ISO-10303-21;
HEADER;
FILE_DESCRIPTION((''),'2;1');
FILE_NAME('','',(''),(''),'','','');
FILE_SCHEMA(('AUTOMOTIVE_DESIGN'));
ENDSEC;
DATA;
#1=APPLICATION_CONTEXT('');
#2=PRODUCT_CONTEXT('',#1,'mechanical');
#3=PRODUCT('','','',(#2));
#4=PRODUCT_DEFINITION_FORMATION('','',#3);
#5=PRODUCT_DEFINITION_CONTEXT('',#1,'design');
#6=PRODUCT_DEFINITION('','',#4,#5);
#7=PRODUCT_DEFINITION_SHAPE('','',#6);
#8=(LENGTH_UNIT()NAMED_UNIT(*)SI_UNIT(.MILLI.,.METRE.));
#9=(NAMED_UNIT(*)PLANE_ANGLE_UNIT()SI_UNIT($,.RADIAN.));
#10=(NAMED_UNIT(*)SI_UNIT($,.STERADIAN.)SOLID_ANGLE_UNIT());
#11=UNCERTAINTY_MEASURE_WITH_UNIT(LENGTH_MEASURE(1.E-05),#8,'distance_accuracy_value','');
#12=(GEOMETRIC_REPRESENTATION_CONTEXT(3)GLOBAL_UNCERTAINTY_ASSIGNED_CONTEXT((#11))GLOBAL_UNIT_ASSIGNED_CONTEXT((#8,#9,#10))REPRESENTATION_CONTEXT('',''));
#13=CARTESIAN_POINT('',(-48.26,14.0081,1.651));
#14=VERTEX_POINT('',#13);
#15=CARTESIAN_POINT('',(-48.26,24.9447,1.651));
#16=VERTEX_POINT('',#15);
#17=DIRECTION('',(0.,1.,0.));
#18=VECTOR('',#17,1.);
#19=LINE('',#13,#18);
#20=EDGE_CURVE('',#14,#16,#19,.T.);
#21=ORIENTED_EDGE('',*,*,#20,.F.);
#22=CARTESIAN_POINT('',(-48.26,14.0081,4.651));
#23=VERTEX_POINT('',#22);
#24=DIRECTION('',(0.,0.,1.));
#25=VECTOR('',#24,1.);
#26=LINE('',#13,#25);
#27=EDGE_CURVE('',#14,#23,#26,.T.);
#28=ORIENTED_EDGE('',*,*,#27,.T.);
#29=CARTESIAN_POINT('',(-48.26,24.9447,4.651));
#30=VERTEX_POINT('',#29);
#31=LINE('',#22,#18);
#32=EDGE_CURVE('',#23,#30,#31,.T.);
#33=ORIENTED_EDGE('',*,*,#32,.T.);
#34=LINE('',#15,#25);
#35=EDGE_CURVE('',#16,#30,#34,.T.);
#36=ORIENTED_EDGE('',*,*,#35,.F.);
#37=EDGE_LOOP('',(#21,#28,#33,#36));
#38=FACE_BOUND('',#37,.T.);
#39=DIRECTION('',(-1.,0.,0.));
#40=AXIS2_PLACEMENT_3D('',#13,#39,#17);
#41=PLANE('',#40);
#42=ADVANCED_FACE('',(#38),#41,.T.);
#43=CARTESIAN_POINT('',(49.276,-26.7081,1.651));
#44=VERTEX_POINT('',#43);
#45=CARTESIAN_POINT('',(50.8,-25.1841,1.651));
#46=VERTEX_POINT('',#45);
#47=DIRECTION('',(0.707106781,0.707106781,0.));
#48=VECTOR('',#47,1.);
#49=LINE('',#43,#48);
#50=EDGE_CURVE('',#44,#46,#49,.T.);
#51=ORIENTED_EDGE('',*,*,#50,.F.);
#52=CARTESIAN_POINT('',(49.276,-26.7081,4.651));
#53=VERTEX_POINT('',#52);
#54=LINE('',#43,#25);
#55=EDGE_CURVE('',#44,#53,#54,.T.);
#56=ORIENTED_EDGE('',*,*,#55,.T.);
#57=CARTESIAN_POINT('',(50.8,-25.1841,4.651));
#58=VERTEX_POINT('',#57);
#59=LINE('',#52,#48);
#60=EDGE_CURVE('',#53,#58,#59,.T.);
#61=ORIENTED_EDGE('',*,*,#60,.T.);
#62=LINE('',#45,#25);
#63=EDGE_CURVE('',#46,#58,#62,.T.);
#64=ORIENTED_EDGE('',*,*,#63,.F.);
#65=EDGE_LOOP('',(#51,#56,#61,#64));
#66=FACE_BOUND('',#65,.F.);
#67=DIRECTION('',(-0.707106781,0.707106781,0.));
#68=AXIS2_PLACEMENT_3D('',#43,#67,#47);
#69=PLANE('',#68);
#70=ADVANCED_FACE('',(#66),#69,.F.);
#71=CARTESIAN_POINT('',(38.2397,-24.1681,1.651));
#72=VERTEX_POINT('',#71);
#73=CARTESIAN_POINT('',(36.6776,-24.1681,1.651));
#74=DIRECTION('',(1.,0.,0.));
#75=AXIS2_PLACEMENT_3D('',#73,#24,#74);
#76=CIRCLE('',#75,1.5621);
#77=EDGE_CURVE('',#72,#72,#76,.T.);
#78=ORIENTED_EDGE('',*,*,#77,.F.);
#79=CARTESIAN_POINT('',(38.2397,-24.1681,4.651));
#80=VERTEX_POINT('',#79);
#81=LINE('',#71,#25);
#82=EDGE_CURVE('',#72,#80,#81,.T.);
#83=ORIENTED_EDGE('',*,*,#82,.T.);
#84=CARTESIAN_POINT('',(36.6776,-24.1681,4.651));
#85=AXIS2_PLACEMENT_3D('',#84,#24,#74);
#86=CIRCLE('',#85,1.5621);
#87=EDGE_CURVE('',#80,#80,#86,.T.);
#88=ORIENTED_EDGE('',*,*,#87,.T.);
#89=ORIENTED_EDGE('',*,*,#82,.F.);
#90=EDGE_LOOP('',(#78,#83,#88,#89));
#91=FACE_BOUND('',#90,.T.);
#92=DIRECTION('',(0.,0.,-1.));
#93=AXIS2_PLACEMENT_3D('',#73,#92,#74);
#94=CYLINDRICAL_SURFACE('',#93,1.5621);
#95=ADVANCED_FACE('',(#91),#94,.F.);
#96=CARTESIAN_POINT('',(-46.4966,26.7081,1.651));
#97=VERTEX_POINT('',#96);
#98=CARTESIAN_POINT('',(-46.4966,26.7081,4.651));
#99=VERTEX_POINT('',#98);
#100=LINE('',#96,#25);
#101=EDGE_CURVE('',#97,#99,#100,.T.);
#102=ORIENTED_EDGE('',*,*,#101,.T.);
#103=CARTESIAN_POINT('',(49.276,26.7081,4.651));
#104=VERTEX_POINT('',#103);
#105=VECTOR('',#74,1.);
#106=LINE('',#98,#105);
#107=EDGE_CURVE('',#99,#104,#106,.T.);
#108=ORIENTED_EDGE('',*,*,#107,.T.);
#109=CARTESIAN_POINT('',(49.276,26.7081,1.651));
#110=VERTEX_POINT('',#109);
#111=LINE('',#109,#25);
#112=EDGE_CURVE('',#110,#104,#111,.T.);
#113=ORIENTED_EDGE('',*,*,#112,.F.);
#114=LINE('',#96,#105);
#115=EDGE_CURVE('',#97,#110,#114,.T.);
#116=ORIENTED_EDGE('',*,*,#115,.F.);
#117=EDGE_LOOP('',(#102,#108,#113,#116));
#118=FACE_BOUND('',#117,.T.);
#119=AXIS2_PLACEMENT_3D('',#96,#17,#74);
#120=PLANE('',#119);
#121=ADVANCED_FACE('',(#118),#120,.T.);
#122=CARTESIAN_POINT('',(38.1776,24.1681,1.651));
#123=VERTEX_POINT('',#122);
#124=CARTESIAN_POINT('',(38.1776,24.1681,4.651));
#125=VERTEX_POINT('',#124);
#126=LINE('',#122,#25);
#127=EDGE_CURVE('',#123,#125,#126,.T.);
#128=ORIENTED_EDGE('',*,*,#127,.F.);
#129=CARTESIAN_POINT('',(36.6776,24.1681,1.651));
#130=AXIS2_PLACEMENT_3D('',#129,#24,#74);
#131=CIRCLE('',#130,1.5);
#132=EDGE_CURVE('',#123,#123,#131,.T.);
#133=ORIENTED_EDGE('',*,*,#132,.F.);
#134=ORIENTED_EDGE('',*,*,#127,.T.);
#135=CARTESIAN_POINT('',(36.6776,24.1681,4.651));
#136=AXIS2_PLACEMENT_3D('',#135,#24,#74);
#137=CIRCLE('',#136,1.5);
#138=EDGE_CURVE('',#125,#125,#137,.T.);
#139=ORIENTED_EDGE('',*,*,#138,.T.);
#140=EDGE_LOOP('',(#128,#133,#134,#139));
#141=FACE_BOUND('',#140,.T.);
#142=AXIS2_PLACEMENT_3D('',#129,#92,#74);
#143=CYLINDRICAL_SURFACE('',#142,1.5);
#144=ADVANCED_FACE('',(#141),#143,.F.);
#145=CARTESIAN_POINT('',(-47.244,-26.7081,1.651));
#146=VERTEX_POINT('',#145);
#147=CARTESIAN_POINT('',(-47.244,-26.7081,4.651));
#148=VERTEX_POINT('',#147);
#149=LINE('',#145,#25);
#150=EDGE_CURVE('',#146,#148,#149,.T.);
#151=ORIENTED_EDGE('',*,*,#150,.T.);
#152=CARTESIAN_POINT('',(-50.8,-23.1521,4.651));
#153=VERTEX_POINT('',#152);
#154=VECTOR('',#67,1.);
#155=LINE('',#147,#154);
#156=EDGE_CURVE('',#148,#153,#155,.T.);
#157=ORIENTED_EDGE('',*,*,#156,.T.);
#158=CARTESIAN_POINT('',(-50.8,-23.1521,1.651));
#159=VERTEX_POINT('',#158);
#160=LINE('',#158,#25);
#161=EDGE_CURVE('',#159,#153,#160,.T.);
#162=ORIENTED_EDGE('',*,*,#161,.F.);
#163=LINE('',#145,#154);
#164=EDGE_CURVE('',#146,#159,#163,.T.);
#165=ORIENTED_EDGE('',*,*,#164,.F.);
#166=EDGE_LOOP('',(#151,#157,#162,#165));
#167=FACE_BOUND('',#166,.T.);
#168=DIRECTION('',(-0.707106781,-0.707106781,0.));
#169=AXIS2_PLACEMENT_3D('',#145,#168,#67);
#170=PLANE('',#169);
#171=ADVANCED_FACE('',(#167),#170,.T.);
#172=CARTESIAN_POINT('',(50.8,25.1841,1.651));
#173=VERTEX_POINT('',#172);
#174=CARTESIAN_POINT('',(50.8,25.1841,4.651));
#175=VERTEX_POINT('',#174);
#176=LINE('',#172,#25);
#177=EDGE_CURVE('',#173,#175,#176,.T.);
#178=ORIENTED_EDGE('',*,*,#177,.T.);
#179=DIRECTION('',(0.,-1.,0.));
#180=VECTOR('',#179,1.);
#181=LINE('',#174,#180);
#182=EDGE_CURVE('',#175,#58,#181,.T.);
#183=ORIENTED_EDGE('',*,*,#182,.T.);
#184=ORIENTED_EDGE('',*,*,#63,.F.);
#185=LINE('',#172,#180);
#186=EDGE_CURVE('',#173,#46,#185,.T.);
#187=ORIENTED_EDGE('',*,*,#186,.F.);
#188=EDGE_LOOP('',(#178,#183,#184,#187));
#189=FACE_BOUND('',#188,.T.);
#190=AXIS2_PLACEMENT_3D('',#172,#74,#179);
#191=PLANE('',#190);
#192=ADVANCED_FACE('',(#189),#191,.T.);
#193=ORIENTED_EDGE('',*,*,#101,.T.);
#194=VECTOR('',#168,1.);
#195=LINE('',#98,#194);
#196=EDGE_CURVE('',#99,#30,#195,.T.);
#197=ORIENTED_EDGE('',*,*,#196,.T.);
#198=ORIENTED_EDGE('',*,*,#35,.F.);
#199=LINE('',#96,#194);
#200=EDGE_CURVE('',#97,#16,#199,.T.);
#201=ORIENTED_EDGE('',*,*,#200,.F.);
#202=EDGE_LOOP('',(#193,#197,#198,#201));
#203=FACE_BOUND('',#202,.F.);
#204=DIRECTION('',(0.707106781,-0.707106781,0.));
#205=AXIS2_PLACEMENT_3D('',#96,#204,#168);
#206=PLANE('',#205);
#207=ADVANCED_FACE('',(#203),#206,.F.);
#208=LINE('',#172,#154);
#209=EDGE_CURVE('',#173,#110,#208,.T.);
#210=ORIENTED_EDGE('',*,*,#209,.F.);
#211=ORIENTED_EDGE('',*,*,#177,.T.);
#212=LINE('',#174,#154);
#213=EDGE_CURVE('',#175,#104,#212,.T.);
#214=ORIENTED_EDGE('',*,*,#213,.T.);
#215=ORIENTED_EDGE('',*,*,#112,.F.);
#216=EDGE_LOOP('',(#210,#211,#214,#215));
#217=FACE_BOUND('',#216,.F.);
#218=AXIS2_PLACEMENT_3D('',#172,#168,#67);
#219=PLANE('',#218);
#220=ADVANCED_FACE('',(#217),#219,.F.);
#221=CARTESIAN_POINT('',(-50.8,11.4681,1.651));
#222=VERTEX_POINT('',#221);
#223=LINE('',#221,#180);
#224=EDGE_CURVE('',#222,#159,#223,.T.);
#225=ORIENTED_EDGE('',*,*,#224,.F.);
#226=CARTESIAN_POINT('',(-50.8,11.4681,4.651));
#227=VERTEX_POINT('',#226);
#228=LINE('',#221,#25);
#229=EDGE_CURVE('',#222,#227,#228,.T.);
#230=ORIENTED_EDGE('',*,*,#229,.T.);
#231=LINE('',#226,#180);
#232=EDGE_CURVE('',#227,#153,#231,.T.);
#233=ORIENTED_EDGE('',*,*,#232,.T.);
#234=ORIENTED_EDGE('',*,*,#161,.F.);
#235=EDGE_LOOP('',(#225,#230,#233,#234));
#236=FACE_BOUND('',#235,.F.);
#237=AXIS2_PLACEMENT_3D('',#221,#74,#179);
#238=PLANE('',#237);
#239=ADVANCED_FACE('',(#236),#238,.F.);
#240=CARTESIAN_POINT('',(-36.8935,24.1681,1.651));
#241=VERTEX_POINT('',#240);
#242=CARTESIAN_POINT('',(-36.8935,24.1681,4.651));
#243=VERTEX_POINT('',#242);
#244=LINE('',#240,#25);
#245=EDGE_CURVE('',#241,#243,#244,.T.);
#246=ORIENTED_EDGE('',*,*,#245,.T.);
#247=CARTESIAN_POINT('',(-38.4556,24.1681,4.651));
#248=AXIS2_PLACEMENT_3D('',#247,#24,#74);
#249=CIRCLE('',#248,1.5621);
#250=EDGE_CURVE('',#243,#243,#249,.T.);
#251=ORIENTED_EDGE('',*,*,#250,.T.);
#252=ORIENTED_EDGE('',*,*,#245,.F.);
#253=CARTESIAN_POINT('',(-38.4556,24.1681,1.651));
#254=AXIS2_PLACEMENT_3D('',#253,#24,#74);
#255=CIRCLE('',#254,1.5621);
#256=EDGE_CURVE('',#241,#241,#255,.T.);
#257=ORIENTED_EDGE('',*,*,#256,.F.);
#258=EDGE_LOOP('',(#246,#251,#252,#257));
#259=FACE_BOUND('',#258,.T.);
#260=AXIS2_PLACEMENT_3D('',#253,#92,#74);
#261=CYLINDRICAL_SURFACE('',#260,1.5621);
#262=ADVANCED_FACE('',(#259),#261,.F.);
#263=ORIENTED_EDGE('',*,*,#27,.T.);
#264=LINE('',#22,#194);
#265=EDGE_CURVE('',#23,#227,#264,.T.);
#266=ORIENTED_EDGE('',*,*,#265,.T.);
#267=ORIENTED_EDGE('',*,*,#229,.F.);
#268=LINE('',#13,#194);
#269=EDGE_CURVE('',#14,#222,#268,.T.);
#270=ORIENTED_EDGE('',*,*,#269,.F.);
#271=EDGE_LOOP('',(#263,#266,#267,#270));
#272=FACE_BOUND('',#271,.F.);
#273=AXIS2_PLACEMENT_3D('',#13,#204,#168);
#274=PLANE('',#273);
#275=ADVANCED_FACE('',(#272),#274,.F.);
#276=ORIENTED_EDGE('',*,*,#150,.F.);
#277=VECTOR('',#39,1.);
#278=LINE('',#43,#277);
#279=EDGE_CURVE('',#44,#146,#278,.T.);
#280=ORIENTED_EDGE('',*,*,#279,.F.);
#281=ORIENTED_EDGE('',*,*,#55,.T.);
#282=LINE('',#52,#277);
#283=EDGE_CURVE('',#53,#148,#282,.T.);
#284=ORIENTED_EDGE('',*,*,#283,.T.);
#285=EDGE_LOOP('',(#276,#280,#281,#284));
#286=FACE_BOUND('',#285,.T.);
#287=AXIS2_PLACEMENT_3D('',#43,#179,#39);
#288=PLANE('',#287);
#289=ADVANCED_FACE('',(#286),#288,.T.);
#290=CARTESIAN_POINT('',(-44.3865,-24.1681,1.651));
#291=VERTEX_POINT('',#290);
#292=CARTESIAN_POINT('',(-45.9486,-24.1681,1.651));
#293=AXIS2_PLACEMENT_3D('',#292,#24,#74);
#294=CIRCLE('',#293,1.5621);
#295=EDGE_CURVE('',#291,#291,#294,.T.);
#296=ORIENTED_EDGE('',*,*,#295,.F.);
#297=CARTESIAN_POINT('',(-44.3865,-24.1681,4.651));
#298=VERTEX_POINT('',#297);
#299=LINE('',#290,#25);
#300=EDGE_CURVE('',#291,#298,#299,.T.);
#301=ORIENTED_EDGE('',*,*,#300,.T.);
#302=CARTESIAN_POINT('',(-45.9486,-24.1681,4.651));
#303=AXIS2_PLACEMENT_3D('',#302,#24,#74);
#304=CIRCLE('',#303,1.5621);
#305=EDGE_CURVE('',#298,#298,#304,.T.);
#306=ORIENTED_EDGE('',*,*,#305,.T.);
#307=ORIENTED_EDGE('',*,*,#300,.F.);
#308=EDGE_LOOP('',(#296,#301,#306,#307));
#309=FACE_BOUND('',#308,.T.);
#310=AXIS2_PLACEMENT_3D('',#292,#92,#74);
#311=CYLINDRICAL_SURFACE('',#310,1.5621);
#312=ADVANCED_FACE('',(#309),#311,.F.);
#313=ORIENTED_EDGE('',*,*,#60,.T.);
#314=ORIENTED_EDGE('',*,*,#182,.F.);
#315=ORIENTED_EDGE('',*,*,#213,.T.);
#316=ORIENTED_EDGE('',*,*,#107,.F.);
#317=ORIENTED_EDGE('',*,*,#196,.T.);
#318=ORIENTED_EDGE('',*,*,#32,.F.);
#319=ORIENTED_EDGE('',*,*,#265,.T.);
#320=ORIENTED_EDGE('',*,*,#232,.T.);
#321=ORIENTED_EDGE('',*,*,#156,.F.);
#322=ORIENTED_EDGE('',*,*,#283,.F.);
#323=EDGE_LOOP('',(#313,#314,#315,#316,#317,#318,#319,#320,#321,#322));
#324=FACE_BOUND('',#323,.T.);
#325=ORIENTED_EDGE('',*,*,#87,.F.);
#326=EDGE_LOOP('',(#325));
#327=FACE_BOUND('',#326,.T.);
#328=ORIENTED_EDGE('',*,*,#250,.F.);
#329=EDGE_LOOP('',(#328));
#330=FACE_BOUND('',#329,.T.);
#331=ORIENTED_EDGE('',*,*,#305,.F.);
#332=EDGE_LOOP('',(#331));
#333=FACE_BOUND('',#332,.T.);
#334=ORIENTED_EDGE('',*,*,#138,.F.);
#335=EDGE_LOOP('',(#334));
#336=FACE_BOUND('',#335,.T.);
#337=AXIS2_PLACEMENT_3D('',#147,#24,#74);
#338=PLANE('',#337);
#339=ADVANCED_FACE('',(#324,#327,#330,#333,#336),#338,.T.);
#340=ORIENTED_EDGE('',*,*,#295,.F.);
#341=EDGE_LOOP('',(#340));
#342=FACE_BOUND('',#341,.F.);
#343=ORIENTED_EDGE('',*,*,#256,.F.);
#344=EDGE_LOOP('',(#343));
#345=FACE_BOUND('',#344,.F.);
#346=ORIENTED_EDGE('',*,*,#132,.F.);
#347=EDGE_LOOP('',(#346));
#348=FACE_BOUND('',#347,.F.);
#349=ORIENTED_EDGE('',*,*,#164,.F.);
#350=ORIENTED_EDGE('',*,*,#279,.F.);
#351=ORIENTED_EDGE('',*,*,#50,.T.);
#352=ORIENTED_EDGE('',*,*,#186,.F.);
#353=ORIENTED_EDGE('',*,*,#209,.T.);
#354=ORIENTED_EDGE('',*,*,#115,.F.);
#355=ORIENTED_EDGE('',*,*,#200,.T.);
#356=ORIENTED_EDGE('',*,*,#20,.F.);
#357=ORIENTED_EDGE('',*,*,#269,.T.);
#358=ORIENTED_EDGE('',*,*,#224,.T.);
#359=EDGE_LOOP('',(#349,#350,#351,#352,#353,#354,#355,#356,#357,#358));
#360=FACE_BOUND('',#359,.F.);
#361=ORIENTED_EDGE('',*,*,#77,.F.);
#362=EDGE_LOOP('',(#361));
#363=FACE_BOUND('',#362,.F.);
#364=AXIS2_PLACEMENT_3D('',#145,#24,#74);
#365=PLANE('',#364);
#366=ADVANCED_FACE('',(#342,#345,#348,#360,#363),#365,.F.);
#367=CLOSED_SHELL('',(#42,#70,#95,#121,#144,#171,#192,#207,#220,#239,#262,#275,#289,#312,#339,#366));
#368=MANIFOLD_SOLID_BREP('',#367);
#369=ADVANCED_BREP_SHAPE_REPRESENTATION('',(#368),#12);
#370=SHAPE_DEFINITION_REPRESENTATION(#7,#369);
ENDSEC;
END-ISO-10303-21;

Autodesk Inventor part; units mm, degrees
ref_plane "YZ Plane" through (0, 0, 0) normal (1, 0, 0) x (0, 1, 0)
ref_plane "XZ Plane" through (0, 0, 0) normal (0, 1, 0) x (-1, 0, 0)
ref_plane "Work Plane1" through (-47.244, -26.7081, 1.651) normal (0, 0, 1) x (1, 0, 0)
sketch "Sketch1" plane through (-47.244, -26.7081, 1.651) normal (0, 0, 1) x (1, 0, 0)
  line L0 (-3.556, 38.1762) -> (-3.556, 3.556) projected
  line L1 (-1.016, 40.7162) -> (-3.556, 38.1762) projected
  line L2 (-3.556, 38.1762) -> (-1.016, 40.7162)
  line L3 (0.7474, 53.4162) -> (-1.016, 51.6528) projected
  line L4 (-1.016, 40.7162) -> (-1.016, 51.6528)
  line L5 (-1.016, 51.6528) -> (0.7474, 53.4162)
  line L6 (98.044, 51.8922) -> (96.52, 53.4162) projected
  line L7 (0.7474, 53.4162) -> (96.52, 53.4162)
  line L8 (96.52, 53.4162) -> (98.044, 51.8922)
  line L9 (96.52, 0) -> (98.044, 1.524) projected
  line L10 (98.044, 51.8922) -> (98.044, 1.524)
  line L11 (98.044, 1.524) -> (96.52, 0)
  line L12 (0, 0) -> (-3.556, 3.556) projected
  line L13 (96.52, 0) -> (0, 0)
  line L14 (0, 0) -> (-3.556, 3.556)
  line L15 (-3.556, 3.556) -> (-3.556, 38.1762)
  circle A0 centre (8.7884, 50.8762) radius 1.5621 projected
  circle A1 centre (8.7884, 50.8762) radius 1.5
  circle A2 centre (83.9216, 50.8762) radius 1.5
  circle A3 centre (83.9216, 2.54) radius 1.5621 projected
  circle A4 centre (83.9216, 2.54) radius 1.5
  circle A5 centre (1.2954, 2.54) radius 1.5621 projected
  circle A6 centre (1.2954, 2.54) radius 1.5
  point P0 (47.244, 26.7081)
  dimension "d1" = 3
  dimension "d2" = 3
  dimension "d3" = 3
  dimension "d4" = 3
extrude "Extrusion1" add sketch "Sketch1" along normal blind 3 contours L1 L4 L3 L7 L6 L10 L9 L13 L12 L0
sketch "Sketch2" plane through (-47.244, -26.7081, 4.651) normal (0, 0, 1) x (1, 0, 0)
  line L0 (-3.556, 38.1762) -> (-3.556, 3.556) projected
  line L1 (-3.556, 3.556) -> (98.044, 3.556)
  line L2 (98.044, 3.556) -> (98.044, -11.444)
  line L3 (98.044, -11.444) -> (-3.556, -11.444)
  line L4 (-3.556, -11.444) -> (-3.556, 3.556)
  point P0 (47.244, 26.7081)
  dimension "d7" = 15
properties part number "arduino_holder"
